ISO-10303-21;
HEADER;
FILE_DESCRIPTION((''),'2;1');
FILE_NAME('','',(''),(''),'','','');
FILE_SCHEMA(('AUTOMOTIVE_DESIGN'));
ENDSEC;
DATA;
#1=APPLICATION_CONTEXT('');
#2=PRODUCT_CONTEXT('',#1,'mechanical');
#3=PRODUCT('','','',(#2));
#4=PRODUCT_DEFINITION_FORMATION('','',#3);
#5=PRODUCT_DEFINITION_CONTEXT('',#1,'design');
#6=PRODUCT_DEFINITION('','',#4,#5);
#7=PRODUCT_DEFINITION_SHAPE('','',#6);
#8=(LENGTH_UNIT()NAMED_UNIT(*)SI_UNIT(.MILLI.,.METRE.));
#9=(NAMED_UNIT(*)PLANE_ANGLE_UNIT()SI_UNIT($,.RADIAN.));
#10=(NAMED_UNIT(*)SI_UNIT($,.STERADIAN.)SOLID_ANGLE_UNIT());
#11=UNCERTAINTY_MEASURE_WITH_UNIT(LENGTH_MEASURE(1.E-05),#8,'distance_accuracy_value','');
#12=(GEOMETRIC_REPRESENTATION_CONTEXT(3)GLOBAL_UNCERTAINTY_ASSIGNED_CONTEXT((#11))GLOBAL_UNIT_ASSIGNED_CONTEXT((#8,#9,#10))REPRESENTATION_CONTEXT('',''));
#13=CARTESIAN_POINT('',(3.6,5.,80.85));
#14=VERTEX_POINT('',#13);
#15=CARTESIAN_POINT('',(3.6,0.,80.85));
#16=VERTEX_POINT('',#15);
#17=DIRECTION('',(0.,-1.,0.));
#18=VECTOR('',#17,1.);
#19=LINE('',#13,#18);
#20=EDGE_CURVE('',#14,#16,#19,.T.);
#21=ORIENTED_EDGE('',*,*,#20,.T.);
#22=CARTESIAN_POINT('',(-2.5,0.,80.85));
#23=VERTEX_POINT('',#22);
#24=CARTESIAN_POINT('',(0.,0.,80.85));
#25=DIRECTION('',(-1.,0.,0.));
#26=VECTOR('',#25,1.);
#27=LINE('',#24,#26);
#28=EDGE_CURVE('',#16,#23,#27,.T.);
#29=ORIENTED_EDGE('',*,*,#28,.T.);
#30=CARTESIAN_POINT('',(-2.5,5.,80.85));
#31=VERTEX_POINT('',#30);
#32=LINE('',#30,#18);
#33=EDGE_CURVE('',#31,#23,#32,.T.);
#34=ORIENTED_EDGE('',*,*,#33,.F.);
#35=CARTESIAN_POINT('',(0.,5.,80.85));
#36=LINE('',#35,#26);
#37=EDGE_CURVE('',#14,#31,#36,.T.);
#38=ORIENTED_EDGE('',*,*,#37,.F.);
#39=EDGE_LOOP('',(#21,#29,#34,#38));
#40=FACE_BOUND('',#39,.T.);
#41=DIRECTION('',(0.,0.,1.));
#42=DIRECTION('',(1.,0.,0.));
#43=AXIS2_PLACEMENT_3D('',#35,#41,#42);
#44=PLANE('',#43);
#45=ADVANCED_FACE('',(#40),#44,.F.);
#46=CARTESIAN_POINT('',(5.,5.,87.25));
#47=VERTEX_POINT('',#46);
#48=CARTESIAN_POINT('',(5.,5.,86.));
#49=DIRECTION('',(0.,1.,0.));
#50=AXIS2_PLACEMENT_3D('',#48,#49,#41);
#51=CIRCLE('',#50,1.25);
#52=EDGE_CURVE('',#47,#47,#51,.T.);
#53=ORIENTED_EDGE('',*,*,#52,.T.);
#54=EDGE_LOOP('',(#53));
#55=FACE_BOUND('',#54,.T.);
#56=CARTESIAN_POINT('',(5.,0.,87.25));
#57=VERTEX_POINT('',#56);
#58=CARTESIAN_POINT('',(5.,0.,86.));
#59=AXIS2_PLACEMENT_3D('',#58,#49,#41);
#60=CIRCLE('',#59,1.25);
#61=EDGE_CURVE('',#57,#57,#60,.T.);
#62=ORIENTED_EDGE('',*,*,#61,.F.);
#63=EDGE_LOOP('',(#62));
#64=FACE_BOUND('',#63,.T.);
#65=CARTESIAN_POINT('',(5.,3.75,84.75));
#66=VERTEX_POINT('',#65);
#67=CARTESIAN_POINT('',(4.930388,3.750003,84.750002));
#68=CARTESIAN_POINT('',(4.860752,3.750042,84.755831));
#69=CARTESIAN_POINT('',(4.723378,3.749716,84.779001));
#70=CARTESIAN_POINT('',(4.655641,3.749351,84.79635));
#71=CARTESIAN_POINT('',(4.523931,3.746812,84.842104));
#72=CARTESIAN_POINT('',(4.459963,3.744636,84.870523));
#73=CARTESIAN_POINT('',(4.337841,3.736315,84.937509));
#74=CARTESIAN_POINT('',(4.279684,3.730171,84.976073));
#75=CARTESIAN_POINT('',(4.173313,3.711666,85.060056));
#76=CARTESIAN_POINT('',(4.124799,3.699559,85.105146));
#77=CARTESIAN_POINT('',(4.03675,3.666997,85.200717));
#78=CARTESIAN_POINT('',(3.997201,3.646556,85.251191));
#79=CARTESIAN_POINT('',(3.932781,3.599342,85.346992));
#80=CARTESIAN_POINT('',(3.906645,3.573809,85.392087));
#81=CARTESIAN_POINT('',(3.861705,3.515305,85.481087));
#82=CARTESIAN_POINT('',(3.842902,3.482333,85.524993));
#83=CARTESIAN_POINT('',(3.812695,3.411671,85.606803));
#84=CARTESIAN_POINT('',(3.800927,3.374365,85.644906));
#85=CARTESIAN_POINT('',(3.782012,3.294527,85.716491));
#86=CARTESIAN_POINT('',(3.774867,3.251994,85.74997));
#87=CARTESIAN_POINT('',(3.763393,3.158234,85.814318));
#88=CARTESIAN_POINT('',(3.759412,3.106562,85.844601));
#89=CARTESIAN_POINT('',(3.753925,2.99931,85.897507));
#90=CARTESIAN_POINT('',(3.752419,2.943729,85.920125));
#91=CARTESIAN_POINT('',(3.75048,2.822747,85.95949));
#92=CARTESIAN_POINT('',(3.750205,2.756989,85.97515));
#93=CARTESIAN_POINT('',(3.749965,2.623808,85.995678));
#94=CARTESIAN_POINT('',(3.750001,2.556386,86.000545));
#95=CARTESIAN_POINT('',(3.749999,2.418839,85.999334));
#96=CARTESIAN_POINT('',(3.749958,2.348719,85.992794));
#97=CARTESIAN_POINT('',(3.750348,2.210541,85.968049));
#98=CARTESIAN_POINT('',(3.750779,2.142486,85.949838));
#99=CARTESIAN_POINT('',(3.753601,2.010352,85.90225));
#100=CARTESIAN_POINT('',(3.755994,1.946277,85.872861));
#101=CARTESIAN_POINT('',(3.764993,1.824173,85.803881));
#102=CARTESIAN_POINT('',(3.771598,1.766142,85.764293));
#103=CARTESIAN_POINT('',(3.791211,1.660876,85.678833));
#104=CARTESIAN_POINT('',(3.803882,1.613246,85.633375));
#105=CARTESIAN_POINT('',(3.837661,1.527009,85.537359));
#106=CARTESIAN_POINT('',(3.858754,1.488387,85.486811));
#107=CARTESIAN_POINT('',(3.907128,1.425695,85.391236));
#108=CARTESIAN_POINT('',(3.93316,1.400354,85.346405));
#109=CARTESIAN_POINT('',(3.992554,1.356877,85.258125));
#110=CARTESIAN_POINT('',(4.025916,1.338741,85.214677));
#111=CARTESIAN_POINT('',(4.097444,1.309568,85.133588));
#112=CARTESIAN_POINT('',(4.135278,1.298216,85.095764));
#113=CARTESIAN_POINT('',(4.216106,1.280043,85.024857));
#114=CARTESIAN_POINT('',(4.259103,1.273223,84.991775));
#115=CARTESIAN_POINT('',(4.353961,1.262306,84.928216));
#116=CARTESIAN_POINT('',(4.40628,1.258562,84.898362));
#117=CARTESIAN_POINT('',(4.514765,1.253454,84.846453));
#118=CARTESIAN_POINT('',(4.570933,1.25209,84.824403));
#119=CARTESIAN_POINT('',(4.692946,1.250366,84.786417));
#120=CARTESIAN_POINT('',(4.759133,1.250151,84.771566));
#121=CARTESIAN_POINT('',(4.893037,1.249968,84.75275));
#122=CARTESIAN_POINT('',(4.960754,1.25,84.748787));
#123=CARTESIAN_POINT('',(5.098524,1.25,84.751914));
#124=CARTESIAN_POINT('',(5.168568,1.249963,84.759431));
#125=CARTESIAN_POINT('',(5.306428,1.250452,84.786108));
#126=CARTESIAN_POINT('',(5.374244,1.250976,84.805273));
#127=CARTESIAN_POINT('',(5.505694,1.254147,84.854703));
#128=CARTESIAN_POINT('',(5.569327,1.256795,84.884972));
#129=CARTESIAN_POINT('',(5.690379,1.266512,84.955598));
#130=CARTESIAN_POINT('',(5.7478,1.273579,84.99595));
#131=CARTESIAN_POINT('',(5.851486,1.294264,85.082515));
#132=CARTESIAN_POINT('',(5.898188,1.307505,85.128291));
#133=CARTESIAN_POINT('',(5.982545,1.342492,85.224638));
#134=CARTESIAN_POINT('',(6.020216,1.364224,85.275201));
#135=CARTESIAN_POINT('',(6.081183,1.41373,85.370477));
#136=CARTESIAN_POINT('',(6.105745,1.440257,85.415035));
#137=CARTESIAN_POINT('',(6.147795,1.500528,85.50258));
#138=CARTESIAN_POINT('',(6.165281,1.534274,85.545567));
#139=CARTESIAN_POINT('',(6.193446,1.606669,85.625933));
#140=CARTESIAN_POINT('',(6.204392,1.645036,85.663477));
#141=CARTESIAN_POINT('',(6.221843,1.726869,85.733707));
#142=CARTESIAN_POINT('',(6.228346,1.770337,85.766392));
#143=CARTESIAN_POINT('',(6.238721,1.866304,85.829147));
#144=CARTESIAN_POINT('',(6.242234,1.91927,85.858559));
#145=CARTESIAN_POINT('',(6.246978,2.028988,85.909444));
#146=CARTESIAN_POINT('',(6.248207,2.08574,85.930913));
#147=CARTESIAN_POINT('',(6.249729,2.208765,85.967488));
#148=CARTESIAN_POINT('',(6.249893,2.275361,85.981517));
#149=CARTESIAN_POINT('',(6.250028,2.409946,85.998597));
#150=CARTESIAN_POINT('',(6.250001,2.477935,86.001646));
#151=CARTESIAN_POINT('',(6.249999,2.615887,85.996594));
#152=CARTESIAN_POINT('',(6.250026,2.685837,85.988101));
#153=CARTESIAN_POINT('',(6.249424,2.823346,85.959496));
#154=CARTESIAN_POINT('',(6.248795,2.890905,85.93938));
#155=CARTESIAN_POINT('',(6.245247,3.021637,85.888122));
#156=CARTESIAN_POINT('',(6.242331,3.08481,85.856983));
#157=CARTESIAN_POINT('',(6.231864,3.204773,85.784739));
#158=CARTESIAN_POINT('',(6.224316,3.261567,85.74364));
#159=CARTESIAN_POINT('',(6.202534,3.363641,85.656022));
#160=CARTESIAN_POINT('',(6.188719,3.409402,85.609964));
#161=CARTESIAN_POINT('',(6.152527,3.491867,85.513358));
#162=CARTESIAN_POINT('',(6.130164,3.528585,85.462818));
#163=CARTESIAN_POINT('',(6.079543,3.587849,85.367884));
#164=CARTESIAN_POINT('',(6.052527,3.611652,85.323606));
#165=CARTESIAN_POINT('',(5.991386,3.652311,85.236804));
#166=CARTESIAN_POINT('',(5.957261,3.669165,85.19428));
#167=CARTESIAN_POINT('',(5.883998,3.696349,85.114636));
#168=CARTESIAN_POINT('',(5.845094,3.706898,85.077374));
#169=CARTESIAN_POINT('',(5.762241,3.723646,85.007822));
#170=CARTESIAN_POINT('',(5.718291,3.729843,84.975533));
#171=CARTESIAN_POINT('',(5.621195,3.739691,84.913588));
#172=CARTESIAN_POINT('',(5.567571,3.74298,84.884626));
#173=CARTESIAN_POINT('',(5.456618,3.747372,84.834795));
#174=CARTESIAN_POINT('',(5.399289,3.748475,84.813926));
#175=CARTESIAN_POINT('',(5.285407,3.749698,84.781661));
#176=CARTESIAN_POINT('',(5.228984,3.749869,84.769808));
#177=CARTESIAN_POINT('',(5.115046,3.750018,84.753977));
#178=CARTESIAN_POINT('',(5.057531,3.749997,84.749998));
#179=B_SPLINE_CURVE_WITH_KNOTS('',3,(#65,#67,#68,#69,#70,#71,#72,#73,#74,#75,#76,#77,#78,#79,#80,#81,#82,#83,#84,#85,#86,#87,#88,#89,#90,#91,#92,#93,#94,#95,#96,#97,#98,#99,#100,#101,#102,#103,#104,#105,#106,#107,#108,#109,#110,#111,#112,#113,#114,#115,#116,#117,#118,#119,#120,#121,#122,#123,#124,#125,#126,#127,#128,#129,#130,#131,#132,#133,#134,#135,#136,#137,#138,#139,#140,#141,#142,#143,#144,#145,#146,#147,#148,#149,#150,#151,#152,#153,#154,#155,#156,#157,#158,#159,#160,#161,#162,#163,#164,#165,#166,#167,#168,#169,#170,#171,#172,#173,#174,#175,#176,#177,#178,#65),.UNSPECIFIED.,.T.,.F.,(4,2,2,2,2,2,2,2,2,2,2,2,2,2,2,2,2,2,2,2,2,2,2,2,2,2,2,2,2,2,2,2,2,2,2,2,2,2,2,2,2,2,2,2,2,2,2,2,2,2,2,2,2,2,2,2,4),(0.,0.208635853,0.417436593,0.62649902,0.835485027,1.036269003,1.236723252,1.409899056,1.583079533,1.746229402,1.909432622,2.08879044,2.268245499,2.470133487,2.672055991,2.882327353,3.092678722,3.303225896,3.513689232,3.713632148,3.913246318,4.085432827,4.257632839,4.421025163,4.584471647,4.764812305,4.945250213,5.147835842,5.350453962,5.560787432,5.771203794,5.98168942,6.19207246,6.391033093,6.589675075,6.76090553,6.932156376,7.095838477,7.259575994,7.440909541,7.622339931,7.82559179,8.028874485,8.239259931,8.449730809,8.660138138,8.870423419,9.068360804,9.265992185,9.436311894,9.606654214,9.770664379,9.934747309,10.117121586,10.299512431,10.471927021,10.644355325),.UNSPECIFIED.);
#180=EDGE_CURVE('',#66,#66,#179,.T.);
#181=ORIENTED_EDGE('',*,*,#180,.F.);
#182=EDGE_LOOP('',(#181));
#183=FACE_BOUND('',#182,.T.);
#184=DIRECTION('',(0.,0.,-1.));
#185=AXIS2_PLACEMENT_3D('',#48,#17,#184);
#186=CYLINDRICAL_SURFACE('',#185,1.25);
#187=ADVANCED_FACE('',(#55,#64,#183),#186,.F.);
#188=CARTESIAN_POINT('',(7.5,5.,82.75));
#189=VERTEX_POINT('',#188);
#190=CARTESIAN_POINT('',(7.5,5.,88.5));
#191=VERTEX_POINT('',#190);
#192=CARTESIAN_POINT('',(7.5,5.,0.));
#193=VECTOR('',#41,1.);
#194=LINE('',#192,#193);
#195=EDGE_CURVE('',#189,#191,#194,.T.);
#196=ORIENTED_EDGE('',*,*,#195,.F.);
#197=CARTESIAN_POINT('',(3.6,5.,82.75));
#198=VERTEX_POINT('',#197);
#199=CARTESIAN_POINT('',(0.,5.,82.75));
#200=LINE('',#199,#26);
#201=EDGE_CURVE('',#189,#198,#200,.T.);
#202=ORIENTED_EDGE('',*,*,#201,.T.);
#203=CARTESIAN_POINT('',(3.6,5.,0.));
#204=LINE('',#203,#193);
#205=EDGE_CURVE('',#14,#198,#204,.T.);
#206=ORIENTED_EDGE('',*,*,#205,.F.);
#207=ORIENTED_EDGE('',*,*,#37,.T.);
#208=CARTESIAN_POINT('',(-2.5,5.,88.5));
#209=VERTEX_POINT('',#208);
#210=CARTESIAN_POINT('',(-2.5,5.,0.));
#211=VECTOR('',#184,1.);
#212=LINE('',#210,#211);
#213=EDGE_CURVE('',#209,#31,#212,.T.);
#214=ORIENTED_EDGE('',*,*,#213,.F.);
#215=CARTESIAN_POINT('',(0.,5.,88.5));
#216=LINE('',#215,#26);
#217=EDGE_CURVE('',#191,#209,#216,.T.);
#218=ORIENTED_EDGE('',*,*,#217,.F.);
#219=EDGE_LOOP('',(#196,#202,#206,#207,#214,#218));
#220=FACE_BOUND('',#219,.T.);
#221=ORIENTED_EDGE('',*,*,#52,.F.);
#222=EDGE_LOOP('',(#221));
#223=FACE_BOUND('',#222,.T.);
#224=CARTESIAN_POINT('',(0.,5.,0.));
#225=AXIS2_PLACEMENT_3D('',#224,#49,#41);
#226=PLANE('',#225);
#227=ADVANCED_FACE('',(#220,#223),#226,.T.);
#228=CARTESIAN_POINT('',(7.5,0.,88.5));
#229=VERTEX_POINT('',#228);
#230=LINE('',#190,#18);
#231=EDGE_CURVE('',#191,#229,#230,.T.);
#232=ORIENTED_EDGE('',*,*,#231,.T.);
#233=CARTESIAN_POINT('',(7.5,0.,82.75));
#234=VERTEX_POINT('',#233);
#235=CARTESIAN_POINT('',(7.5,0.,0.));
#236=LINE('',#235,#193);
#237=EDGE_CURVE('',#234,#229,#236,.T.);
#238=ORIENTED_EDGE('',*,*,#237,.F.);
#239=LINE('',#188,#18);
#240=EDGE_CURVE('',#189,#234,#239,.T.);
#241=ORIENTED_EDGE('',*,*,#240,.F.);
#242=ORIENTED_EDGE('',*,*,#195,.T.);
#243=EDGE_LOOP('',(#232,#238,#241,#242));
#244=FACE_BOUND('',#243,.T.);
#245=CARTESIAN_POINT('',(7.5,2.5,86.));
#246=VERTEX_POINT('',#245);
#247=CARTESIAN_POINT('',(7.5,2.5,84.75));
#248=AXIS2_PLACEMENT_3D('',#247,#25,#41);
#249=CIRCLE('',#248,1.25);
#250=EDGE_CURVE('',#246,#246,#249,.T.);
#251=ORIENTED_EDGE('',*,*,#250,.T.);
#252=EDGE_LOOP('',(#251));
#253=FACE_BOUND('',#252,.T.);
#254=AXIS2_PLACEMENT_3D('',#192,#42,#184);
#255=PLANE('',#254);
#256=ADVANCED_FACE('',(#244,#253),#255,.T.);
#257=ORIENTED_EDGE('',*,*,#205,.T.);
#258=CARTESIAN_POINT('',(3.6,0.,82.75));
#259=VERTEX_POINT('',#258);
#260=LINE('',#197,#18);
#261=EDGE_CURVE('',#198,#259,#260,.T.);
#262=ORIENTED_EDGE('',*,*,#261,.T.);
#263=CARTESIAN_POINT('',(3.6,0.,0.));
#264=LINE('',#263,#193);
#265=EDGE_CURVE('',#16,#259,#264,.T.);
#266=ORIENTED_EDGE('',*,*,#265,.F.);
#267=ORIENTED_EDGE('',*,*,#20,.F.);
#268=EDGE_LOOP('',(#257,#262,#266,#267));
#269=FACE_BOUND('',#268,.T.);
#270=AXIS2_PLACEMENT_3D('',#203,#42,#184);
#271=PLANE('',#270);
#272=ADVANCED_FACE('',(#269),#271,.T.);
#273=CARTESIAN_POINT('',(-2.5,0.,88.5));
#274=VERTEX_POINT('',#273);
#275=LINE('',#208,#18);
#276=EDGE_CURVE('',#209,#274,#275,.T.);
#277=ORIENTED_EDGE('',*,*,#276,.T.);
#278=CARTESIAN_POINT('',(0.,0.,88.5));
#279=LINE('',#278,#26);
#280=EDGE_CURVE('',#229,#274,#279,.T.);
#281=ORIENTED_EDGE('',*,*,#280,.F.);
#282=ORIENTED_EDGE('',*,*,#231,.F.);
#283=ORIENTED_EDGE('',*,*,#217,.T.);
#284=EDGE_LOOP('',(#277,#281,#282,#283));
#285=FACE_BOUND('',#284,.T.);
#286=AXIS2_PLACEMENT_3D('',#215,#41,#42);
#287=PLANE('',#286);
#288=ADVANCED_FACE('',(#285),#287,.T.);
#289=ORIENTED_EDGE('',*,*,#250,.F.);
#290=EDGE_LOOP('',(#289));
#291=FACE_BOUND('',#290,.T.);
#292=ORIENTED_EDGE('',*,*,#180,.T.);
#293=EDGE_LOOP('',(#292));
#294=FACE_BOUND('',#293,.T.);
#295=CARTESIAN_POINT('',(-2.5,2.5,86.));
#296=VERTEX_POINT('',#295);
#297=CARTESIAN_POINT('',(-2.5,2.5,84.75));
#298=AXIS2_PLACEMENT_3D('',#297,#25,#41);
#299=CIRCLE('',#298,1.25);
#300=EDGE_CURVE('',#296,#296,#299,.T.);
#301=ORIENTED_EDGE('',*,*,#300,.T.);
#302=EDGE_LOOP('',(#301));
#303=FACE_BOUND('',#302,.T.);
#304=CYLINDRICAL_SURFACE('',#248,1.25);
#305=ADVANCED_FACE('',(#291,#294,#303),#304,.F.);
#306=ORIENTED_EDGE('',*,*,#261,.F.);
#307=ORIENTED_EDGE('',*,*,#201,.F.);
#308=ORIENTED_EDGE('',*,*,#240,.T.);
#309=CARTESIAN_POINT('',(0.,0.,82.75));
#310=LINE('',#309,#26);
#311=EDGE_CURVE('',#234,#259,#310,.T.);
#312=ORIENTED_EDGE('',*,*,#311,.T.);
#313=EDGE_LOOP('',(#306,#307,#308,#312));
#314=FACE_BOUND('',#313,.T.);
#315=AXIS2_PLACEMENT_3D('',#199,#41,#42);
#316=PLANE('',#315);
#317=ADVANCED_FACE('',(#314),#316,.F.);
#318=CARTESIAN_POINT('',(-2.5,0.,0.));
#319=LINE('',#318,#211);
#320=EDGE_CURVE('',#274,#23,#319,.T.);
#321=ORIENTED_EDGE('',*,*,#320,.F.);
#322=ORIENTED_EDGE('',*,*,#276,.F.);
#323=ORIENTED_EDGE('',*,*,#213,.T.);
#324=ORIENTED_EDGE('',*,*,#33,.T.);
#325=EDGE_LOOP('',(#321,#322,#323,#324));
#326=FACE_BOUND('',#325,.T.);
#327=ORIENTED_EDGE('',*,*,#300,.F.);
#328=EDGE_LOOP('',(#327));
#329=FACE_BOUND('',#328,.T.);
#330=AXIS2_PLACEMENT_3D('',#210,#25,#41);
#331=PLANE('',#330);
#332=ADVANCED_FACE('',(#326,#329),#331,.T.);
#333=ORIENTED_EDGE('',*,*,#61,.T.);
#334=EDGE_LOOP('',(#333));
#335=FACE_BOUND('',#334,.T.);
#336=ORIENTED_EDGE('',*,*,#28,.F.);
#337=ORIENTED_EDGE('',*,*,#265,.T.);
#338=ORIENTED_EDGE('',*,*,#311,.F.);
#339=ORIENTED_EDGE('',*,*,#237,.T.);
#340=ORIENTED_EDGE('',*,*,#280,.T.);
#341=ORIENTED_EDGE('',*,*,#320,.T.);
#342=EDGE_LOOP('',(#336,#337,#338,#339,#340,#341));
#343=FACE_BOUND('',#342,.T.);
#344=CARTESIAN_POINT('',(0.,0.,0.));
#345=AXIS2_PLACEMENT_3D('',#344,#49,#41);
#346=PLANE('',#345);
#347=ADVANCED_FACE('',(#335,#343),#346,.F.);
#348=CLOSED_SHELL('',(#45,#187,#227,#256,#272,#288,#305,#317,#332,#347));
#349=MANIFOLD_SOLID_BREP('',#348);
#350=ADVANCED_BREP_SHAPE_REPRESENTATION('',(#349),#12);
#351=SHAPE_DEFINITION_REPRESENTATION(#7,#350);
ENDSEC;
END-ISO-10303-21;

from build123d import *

# Parameters (mm, degrees)
SKETCH4_R           = 1.25
BOSS_EXTRUDE1_DEPTH = 5
CUT_EXTRUDE1_DEPTH  = 10


with BuildPart() as part:
    # Sketch4 → Boss-Extrude1 (new body)
    with BuildSketch(Plane(origin=(0, 0, 0), x_dir=(1, 0, 0), z_dir=(0, 1, 0))):
        Polygon((7.5, -82.75), (7.5, -88.5), (-2.5, -88.5), (-2.5, -80.85), (3.6, -80.85), (3.6, -82.75), align=None)
        with Locations((5, -86)):
            Circle(SKETCH4_R, mode=Mode.SUBTRACT)
    extrude(amount=BOSS_EXTRUDE1_DEPTH)

    # Sketch5 → Cut-Extrude1 (cut)
    with BuildSketch(Plane.ZY.offset(2.5)):
        with BuildLine():
            ThreePointArc((84.75, 3.75), (83.5, 2.5), (84.75, 1.25))
            Line((84.75, 1.25), (84.75, 3.75))
        make_face()
        with BuildLine():
            Line((84.75, 3.75), (84.75, 1.25))
            ThreePointArc((84.75, 1.25), (85.633883476, 1.616116524), (86, 2.5))
            ThreePointArc((86, 2.5), (85.633883476, 3.383883476), (84.75, 3.75))
        make_face()
    extrude(amount=-CUT_EXTRUDE1_DEPTH, mode=Mode.SUBTRACT)


solid = part.part
